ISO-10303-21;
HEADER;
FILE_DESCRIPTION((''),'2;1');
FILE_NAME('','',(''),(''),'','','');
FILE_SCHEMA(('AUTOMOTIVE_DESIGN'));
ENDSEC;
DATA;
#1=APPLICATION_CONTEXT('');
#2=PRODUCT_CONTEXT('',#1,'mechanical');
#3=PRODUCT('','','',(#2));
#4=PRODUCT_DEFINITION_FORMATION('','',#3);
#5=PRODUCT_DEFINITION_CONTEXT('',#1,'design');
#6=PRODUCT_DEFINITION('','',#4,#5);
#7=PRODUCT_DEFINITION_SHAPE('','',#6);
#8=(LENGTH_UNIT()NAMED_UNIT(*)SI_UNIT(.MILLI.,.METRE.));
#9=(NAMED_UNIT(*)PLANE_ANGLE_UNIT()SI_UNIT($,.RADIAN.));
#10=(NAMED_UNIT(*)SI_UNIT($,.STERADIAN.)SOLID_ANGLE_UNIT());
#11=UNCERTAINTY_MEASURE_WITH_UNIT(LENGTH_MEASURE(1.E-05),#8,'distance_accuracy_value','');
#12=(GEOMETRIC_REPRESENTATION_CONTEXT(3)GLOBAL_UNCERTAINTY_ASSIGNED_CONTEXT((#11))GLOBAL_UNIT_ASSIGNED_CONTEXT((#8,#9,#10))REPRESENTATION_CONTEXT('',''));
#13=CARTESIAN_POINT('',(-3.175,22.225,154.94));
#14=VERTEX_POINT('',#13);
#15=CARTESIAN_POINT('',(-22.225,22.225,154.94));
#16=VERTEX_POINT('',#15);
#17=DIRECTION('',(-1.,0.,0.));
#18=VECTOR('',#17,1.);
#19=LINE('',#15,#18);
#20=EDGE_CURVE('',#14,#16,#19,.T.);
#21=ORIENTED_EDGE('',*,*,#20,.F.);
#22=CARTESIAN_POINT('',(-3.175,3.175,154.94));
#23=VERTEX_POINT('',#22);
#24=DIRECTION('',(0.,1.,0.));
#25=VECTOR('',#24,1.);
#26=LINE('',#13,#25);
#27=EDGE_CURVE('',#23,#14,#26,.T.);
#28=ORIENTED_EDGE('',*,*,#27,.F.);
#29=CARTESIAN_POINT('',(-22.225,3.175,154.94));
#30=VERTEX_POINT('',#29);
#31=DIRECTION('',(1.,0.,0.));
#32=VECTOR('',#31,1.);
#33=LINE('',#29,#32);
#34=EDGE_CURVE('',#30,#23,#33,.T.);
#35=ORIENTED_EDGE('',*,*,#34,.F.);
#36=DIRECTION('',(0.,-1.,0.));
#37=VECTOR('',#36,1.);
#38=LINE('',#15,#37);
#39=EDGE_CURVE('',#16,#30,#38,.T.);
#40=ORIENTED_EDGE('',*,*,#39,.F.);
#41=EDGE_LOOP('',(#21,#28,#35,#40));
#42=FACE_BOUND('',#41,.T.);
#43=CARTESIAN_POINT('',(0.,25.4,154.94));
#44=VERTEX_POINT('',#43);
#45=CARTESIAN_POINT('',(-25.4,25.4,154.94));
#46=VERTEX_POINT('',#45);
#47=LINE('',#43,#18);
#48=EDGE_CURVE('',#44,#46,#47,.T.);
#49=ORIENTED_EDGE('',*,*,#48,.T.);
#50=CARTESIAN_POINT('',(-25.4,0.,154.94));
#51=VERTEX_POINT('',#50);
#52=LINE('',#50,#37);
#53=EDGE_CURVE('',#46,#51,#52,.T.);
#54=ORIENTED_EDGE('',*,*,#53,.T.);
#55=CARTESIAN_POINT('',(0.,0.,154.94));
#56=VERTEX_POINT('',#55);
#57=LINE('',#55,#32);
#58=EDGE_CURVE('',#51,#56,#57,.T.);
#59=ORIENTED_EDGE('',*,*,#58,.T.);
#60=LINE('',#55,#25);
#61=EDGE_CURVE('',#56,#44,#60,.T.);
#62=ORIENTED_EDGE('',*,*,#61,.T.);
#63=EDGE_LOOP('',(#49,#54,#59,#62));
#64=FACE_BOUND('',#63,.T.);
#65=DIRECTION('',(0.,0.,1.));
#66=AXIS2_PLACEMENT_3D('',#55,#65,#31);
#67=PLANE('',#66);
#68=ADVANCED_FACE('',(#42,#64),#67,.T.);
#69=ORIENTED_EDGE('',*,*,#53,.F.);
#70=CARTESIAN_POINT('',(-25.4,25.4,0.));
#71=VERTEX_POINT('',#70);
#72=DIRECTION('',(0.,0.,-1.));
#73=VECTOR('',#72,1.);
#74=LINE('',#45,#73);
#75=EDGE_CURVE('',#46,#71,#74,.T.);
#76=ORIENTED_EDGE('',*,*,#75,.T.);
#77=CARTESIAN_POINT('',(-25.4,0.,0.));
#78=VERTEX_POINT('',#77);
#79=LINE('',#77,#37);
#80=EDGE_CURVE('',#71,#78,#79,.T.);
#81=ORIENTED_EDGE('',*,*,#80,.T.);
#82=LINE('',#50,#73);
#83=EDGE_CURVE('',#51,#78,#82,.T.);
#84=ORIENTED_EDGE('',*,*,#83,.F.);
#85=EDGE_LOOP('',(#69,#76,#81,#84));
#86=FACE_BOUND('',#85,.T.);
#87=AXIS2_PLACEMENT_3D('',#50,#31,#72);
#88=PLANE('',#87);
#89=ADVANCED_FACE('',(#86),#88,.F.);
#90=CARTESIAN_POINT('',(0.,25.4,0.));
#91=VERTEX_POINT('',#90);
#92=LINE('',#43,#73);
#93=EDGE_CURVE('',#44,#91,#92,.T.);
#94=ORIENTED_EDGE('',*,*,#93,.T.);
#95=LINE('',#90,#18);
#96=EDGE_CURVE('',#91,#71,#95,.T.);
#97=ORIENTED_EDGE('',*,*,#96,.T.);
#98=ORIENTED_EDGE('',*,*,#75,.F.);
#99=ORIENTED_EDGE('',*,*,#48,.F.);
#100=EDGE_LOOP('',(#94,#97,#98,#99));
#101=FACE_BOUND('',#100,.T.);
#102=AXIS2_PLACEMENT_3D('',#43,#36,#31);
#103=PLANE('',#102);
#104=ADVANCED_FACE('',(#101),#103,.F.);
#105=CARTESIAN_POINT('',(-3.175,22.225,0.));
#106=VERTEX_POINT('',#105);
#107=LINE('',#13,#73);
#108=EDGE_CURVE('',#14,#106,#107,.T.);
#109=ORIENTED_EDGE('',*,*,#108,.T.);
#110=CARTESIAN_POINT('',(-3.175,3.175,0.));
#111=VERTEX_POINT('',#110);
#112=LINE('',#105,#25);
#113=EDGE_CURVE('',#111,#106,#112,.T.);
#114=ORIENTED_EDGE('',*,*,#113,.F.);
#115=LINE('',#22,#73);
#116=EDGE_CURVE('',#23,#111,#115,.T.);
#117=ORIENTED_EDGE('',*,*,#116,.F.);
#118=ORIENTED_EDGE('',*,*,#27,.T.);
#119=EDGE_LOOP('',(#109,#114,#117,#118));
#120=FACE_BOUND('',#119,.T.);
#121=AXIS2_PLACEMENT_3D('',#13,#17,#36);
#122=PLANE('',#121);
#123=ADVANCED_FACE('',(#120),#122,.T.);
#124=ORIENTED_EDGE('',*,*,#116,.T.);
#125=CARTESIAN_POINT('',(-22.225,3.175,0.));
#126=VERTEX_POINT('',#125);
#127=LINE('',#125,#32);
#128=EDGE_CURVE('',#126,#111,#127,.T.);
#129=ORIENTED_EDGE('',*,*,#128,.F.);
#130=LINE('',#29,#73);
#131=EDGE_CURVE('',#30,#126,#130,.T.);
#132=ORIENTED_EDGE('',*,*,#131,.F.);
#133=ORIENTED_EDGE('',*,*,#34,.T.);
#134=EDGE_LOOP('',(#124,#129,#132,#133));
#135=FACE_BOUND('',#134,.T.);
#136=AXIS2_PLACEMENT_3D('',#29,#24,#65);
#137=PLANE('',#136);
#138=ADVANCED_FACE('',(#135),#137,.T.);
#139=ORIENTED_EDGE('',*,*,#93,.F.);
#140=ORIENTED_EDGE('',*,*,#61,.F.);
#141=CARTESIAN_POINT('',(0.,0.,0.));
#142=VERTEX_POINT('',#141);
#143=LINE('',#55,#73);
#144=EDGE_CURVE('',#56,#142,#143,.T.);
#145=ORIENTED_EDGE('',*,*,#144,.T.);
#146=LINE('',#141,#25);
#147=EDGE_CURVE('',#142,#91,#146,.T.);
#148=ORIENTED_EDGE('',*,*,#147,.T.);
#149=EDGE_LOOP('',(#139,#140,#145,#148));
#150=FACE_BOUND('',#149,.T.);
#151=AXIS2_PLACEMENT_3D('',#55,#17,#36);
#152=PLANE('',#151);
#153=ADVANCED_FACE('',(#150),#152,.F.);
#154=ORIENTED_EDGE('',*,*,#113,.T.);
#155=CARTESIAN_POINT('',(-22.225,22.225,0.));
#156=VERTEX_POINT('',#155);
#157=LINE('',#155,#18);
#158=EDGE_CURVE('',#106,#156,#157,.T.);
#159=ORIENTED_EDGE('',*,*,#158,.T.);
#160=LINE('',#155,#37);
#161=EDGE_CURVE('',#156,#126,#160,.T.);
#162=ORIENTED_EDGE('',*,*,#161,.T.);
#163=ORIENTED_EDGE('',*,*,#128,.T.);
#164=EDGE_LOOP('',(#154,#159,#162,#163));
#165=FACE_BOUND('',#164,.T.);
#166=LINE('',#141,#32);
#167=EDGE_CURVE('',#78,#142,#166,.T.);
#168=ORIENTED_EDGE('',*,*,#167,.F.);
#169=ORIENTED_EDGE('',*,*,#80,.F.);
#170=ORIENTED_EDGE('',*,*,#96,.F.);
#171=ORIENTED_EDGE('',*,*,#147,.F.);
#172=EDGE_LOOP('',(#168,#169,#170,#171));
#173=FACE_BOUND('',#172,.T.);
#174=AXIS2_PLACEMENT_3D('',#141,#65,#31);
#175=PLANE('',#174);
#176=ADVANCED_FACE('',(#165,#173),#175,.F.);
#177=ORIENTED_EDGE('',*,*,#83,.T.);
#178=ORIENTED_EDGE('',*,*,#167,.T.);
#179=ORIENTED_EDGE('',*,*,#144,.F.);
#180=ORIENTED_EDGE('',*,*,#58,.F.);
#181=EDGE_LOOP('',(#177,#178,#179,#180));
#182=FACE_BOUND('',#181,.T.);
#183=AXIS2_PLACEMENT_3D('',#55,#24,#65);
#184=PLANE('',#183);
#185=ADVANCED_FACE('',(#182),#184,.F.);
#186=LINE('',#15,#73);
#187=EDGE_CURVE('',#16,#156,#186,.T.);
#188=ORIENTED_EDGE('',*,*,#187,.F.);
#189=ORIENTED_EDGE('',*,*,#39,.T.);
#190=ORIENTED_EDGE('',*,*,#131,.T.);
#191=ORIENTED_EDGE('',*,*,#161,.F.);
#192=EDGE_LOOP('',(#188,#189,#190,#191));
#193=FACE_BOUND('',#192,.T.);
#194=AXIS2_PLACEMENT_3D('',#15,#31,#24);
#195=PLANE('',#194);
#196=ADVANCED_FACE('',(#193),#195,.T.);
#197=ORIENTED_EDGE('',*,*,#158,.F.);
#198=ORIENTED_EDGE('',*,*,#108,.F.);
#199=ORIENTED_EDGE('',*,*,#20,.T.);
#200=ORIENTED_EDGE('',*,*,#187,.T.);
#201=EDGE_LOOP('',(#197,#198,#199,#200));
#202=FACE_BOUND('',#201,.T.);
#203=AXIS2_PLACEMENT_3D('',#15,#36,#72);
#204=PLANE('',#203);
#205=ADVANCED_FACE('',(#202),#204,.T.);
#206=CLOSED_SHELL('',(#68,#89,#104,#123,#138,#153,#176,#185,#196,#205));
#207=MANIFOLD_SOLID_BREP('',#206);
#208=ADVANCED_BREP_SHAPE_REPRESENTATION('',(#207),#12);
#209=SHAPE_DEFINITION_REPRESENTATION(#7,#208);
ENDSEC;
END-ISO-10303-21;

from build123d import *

# Parameters (mm, degrees)
SKETCH1_W           = 25.4
SKETCH1_H           = 25.4
SKETCH1_W_2         = 19.05
SKETCH1_H_2         = 19.05
BOSS_EXTRUDE1_DEPTH = 154.94


with BuildPart() as part:
    # Sketch1 → Boss-Extrude1 (new body)
    with BuildSketch(Plane.XY):
        with Locations((-12.7, 12.7)):
            Rectangle(SKETCH1_W, SKETCH1_H)
        with Locations((-12.7, 12.7)):
            Rectangle(SKETCH1_W_2, SKETCH1_H_2, mode=Mode.SUBTRACT)
    extrude(amount=BOSS_EXTRUDE1_DEPTH)


solid = part.part
